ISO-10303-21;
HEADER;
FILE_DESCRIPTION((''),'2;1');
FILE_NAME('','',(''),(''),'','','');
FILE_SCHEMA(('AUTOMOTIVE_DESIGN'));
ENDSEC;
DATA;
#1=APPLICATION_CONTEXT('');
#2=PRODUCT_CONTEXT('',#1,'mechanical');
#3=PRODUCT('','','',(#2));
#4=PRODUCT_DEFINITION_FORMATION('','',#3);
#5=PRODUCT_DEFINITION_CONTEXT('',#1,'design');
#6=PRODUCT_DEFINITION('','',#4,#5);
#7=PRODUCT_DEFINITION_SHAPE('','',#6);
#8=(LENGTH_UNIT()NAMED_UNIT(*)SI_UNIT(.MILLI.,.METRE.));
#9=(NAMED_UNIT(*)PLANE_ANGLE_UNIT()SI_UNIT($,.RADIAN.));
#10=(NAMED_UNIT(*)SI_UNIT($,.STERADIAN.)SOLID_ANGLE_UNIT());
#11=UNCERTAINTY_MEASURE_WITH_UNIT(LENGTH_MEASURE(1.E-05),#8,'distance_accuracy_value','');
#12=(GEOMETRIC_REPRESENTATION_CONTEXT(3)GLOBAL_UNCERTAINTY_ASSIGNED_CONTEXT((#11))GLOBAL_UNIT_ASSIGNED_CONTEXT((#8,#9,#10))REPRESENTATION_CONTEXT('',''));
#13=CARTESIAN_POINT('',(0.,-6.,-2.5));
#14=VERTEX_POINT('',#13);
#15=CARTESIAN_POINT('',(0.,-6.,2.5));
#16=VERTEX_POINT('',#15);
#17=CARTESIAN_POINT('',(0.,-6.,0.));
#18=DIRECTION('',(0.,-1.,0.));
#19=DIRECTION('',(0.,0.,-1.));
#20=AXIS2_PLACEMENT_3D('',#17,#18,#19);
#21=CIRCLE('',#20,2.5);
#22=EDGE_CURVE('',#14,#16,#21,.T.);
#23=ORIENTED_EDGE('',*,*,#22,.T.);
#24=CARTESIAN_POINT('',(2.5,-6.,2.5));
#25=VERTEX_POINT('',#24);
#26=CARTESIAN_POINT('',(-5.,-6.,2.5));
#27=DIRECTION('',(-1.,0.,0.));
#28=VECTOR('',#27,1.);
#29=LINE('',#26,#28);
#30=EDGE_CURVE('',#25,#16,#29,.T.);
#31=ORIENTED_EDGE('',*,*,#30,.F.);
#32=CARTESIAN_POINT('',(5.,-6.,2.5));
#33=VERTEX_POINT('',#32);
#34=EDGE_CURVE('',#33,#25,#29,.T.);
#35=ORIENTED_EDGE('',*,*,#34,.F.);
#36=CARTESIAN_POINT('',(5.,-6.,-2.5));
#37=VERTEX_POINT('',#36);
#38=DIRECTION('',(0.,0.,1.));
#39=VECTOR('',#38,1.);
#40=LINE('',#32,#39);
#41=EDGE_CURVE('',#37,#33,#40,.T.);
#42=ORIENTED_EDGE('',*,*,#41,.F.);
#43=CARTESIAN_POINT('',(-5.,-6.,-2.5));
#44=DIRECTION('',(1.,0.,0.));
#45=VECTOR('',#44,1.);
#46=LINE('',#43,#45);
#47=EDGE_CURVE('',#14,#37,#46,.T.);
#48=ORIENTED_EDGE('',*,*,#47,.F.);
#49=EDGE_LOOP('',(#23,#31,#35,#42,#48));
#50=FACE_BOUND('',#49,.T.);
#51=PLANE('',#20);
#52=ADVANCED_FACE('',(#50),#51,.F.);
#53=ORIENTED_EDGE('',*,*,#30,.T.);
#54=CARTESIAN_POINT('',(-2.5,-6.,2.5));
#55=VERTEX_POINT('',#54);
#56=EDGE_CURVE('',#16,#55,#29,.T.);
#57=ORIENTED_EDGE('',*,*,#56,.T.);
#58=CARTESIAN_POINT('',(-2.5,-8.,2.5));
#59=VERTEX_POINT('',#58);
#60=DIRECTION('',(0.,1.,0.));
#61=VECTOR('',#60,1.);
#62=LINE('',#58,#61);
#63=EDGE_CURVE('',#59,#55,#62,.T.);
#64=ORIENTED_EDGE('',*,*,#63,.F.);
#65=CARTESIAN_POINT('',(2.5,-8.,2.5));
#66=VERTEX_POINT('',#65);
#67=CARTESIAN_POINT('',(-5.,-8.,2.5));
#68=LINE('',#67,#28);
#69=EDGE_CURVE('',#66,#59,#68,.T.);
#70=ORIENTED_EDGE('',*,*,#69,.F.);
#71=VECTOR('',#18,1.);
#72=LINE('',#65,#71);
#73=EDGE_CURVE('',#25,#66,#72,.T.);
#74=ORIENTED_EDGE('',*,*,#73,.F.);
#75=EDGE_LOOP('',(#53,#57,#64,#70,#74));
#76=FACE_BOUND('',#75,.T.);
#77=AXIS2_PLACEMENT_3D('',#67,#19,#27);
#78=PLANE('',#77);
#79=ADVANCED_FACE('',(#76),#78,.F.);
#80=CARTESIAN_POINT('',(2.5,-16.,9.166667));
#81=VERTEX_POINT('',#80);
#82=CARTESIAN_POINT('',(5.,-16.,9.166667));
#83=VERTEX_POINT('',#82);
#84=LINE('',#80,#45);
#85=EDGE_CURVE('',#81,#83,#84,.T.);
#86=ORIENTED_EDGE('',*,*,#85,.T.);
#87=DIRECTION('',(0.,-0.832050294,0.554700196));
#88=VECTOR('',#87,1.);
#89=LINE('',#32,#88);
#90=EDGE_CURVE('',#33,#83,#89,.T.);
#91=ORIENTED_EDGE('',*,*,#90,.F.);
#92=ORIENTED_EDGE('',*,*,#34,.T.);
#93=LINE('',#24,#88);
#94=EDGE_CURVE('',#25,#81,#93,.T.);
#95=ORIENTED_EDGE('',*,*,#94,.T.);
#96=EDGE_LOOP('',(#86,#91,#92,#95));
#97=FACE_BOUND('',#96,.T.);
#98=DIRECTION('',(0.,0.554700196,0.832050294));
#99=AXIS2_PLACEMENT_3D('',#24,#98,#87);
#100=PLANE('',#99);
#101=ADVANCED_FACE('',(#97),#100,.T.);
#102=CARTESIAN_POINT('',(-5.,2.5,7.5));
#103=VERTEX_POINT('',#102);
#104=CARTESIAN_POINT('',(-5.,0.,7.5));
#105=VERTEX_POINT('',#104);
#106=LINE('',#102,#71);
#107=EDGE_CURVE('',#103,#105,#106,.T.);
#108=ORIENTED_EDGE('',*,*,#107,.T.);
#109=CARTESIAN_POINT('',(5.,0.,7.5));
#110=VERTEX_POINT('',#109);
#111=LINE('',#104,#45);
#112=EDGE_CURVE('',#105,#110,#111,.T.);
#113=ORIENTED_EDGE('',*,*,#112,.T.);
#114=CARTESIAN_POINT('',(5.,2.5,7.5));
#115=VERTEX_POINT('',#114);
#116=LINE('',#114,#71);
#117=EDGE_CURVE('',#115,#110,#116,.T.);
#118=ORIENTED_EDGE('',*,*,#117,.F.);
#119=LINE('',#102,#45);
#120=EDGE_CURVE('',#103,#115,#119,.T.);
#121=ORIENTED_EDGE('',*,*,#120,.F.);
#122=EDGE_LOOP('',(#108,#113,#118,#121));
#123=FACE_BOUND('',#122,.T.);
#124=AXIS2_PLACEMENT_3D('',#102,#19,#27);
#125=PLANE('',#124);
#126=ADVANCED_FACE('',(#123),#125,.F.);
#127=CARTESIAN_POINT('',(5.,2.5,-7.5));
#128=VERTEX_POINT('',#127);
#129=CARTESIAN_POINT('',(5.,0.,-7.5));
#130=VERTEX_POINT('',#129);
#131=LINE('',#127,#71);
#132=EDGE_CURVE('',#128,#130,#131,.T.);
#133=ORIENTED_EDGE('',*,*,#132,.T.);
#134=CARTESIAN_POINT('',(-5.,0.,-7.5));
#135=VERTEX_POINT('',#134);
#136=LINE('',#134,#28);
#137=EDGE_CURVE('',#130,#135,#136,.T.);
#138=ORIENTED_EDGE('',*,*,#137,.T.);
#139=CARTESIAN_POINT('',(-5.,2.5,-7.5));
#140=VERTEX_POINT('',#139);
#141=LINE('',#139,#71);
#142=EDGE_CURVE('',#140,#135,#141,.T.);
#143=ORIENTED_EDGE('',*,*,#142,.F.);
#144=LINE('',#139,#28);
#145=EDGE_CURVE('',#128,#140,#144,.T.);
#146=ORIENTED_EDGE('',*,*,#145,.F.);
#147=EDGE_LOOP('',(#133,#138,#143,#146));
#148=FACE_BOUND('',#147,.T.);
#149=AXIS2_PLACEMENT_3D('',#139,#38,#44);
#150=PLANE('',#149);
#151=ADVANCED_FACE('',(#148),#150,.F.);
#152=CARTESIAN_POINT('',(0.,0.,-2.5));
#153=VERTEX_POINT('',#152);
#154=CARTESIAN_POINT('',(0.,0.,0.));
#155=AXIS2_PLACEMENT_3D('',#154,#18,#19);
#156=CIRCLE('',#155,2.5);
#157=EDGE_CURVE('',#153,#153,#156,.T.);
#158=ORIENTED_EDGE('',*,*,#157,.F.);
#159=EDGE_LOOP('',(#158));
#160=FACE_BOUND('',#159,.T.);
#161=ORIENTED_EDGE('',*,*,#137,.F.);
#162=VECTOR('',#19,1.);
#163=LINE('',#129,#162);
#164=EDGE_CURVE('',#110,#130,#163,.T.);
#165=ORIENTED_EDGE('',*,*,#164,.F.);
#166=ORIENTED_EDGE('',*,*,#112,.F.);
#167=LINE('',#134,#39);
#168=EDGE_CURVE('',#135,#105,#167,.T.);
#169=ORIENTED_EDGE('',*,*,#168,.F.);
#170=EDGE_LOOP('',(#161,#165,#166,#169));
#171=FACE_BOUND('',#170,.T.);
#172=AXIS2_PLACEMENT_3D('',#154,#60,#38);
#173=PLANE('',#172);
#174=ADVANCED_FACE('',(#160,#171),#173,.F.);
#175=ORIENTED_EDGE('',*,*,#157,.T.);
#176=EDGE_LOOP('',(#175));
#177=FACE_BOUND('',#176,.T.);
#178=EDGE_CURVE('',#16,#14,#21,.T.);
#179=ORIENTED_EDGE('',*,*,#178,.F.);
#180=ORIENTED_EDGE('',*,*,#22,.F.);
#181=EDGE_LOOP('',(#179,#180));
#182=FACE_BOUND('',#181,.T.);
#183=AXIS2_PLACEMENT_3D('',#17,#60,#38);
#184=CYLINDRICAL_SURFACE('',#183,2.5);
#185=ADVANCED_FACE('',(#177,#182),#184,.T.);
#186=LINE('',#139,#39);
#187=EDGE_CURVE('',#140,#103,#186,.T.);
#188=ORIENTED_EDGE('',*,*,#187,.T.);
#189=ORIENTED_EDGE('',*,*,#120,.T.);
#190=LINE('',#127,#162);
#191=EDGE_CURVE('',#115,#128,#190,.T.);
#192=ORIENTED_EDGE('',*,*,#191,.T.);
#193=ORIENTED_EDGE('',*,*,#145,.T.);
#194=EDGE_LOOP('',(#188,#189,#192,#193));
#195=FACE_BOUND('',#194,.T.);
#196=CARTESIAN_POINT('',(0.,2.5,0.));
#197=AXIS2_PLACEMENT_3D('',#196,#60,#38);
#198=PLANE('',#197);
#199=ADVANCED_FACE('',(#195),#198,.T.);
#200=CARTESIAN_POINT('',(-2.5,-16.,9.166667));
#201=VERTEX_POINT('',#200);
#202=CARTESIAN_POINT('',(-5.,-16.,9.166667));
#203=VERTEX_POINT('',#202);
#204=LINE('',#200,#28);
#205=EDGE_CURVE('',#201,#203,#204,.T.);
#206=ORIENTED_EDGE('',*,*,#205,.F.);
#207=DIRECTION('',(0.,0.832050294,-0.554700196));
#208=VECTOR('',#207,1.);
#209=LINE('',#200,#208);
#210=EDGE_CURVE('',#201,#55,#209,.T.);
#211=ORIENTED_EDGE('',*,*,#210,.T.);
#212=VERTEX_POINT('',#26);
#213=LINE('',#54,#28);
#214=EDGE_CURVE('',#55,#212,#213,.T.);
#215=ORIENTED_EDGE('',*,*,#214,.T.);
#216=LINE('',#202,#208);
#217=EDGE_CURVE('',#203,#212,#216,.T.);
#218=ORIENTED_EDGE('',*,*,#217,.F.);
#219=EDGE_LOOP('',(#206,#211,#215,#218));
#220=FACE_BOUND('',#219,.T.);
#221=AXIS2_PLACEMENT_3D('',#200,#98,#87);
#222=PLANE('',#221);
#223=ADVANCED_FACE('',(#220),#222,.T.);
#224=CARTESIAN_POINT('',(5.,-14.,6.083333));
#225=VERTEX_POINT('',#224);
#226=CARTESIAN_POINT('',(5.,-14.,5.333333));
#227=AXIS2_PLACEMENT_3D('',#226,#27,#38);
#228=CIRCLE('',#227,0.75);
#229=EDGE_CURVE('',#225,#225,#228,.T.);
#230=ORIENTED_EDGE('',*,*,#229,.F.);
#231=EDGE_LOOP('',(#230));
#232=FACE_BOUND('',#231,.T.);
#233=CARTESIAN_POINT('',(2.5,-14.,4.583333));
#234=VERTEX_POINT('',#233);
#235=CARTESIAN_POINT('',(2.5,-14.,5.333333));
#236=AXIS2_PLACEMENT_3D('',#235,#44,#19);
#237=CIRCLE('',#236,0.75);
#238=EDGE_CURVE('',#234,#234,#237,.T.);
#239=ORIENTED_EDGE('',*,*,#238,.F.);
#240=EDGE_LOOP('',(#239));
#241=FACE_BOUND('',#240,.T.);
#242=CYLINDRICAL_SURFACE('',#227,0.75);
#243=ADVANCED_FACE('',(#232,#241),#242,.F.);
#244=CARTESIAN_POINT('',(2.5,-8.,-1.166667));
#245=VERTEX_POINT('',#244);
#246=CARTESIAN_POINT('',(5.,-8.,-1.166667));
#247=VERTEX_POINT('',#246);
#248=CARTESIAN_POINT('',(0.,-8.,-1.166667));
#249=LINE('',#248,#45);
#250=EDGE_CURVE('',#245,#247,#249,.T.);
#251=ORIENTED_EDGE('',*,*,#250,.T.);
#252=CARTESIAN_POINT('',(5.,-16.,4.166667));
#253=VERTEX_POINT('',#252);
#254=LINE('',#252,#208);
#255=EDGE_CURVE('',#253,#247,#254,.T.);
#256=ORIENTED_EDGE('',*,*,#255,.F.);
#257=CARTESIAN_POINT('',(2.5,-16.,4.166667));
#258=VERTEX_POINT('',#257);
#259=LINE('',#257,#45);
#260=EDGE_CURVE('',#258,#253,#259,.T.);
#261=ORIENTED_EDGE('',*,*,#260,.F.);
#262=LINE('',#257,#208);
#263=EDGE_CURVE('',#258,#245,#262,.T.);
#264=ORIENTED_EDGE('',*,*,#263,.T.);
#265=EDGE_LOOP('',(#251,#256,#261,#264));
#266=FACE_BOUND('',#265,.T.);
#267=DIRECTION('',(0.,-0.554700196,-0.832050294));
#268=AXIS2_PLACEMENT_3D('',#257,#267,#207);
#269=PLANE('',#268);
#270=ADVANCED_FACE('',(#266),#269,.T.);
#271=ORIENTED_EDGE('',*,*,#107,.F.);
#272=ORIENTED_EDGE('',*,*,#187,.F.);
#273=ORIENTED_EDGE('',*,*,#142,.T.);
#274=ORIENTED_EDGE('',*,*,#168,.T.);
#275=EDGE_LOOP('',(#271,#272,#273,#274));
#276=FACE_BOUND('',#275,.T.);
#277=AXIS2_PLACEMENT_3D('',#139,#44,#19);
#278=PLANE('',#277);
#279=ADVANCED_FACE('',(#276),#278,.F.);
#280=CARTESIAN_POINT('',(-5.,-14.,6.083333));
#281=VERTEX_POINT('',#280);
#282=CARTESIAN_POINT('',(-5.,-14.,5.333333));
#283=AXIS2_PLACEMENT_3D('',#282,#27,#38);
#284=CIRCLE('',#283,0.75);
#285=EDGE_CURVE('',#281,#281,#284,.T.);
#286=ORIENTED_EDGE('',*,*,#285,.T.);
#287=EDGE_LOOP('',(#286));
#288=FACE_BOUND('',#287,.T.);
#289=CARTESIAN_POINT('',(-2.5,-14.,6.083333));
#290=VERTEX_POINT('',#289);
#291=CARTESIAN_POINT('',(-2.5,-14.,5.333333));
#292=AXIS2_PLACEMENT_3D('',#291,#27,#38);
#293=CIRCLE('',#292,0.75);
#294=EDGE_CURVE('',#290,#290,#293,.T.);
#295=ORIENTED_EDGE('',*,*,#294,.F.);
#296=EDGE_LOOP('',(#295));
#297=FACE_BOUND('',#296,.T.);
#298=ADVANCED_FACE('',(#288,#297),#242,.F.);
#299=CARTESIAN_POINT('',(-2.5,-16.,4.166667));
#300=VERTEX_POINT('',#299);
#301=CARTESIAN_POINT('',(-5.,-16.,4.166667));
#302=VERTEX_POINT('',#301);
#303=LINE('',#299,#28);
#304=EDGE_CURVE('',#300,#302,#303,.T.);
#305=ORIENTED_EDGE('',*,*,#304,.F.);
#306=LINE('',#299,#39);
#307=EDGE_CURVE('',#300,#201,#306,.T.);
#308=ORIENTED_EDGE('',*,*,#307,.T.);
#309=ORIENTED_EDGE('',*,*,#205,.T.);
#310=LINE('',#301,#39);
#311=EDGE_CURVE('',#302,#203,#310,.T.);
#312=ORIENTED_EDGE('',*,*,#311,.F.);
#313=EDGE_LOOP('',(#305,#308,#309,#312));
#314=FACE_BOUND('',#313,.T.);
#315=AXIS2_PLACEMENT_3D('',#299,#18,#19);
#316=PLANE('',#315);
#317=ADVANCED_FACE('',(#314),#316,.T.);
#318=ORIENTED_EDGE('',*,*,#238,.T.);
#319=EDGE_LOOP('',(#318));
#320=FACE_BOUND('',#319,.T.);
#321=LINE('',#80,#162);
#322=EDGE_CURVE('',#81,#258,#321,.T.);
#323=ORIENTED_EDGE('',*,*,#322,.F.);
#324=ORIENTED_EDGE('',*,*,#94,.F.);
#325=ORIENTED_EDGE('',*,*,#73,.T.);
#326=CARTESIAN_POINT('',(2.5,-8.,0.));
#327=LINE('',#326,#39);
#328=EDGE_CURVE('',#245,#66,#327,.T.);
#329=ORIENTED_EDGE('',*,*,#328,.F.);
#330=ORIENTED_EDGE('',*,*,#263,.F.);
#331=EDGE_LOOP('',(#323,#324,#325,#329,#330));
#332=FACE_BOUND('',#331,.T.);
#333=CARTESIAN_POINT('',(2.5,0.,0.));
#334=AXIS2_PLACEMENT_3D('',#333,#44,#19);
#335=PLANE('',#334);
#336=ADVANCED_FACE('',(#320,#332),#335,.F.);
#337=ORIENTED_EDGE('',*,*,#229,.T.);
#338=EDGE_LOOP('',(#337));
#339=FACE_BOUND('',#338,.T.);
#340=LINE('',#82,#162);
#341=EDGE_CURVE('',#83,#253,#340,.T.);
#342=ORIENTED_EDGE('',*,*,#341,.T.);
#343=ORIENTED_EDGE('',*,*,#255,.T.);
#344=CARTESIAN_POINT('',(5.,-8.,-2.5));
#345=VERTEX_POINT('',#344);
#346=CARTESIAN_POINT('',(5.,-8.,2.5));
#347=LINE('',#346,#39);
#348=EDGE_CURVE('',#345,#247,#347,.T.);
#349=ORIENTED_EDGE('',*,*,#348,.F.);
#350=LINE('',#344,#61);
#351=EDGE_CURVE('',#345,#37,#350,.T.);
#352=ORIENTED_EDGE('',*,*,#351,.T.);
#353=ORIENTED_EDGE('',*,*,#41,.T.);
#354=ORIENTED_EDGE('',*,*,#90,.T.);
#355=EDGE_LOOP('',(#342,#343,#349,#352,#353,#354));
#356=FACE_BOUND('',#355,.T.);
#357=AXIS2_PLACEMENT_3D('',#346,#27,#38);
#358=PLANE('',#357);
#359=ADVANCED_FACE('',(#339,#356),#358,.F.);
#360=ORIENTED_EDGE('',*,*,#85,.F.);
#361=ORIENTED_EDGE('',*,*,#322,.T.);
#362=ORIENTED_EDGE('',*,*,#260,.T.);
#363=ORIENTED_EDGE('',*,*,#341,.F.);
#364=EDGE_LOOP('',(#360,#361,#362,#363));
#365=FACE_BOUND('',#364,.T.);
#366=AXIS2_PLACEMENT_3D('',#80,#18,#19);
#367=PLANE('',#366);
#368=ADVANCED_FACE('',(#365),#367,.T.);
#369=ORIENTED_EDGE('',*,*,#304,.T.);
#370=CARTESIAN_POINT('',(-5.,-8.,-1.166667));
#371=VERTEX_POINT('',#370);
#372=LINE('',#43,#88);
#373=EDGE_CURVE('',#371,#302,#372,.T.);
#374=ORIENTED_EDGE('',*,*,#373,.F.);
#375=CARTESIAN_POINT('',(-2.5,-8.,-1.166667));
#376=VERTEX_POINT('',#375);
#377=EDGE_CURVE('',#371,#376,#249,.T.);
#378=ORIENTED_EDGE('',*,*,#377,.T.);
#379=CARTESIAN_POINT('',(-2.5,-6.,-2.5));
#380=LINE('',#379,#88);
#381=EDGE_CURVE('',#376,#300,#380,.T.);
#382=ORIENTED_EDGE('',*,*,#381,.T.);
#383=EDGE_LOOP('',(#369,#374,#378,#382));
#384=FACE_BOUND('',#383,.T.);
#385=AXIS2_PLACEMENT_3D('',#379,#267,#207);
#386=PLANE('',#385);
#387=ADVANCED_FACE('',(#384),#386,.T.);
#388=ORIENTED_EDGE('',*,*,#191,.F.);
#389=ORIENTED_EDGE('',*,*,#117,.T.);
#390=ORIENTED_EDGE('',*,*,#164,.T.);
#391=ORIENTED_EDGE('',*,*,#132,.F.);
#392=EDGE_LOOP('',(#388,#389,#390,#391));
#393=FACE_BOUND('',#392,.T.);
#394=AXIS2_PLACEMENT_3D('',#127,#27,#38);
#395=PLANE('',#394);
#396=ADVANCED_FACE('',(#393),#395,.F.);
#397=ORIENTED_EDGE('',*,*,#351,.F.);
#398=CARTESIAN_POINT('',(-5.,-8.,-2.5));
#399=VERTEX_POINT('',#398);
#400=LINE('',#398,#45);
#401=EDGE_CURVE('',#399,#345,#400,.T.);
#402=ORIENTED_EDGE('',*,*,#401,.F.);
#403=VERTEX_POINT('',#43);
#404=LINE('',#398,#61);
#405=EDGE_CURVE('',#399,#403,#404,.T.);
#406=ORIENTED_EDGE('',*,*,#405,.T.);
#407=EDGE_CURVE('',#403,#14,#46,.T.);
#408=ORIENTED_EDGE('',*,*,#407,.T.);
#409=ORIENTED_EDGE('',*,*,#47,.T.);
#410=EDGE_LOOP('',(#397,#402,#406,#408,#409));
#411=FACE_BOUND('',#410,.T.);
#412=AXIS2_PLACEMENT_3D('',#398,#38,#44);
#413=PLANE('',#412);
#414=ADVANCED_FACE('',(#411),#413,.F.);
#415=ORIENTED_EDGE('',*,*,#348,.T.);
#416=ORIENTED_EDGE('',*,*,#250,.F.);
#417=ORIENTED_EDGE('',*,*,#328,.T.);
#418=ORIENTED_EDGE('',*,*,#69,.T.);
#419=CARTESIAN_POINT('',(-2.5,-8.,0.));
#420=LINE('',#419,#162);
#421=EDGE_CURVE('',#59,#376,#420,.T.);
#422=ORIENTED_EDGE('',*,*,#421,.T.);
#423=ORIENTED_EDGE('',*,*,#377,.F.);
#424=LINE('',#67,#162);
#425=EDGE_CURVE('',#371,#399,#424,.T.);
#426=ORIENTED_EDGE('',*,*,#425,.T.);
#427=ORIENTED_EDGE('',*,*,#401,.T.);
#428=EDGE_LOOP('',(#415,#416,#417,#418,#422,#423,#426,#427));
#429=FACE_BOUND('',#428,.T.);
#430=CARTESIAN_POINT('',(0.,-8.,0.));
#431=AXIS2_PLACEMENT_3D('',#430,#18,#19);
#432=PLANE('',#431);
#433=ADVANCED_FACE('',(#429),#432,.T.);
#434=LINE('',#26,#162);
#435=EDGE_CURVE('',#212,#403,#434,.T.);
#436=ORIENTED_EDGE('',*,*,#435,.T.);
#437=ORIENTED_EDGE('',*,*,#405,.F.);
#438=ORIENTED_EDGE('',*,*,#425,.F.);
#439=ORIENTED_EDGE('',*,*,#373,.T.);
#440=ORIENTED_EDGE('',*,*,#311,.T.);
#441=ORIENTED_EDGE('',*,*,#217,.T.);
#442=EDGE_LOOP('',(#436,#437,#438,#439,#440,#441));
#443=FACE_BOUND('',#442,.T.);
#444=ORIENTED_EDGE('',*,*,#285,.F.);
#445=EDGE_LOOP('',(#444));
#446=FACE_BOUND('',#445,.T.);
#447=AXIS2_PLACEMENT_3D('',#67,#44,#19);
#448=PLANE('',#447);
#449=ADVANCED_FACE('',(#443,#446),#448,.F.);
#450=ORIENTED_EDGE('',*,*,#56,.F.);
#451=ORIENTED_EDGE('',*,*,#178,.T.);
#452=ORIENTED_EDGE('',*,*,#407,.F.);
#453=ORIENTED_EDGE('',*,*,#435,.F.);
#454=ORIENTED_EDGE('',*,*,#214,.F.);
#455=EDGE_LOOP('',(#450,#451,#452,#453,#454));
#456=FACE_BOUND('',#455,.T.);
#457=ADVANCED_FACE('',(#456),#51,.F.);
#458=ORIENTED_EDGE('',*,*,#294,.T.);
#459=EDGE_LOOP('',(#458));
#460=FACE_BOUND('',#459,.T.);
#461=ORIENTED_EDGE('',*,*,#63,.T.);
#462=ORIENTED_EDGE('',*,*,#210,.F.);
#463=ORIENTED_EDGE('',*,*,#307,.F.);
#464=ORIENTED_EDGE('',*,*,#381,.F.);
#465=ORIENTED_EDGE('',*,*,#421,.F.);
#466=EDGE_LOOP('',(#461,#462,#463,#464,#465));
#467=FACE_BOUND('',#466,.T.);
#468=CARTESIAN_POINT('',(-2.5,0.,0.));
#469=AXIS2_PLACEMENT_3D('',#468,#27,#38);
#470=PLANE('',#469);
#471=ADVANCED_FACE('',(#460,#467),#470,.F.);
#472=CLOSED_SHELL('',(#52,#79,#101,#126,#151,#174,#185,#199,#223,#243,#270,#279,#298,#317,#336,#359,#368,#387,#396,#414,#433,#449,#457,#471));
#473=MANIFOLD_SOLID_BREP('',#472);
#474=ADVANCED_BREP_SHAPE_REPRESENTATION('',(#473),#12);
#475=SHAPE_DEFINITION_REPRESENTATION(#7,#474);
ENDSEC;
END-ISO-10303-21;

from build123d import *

# Parameters (mm, degrees)
SKETCH4_W           = 10
SKETCH4_H           = 15
BOSS_EXTRUDE3_DEPTH = 2.5
SKETCH5_R           = 2.5
BOSS_EXTRUDE4_DEPTH = 6
SKETCH6_W           = 10
SKETCH6_H           = 5
BOSS_EXTRUDE5_DEPTH = 2
BOSS_EXTRUDE6_DEPTH = 2.5
BOSS_EXTRUDE7_DEPTH = 2.5
SKETCH9_R           = 0.75
CUT_EXTRUDE1_DEPTH  = 21.97683908


with BuildPart() as part:
    # Sketch4 → Boss-Extrude3 (new body)
    with BuildSketch(Plane(origin=(0, 0, 0), x_dir=(1, 0, 0), z_dir=(0, 1, 0))):
        Rectangle(SKETCH4_W, SKETCH4_H)
    extrude(amount=BOSS_EXTRUDE3_DEPTH)

    # Sketch5 → Boss-Extrude4 (add)
    with BuildSketch(Plane.XZ):
        with Locations(Location((0, 0, 0), (0, 0, 270))):
            Circle(SKETCH5_R)
    extrude(amount=BOSS_EXTRUDE4_DEPTH)

    # Sketch6 → Boss-Extrude5 (add)
    with BuildSketch(Plane.XZ.offset(6)):
        Rectangle(SKETCH6_W, SKETCH6_H)
    extrude(amount=BOSS_EXTRUDE5_DEPTH)

    # Sketch7 → Boss-Extrude6 (add)
    with BuildSketch(Plane.ZY.offset(5)):
        Polygon((-2.5, -6), (2.5, -6), (9.166666667, -16), (4.166666667, -16), align=None)
    extrude(amount=-BOSS_EXTRUDE6_DEPTH)

    # Sketch8 → Boss-Extrude7 (add)
    with BuildSketch(Plane(origin=(5, 0, 0), x_dir=(0, 0, -1), z_dir=(1, 0, 0))):
        Polygon((2.5, -6), (-2.5, -6), (-9.166666667, -16), (-4.166666667, -16), align=None)
    extrude(amount=-BOSS_EXTRUDE7_DEPTH)

    # Sketch9 → Cut-Extrude1 (cut, through all)
    with BuildSketch(Plane.ZY.offset(5)):
        with Locations((5.333333333, -14)):
            Circle(SKETCH9_R)
    extrude(amount=-CUT_EXTRUDE1_DEPTH, mode=Mode.SUBTRACT)


solid = part.part
